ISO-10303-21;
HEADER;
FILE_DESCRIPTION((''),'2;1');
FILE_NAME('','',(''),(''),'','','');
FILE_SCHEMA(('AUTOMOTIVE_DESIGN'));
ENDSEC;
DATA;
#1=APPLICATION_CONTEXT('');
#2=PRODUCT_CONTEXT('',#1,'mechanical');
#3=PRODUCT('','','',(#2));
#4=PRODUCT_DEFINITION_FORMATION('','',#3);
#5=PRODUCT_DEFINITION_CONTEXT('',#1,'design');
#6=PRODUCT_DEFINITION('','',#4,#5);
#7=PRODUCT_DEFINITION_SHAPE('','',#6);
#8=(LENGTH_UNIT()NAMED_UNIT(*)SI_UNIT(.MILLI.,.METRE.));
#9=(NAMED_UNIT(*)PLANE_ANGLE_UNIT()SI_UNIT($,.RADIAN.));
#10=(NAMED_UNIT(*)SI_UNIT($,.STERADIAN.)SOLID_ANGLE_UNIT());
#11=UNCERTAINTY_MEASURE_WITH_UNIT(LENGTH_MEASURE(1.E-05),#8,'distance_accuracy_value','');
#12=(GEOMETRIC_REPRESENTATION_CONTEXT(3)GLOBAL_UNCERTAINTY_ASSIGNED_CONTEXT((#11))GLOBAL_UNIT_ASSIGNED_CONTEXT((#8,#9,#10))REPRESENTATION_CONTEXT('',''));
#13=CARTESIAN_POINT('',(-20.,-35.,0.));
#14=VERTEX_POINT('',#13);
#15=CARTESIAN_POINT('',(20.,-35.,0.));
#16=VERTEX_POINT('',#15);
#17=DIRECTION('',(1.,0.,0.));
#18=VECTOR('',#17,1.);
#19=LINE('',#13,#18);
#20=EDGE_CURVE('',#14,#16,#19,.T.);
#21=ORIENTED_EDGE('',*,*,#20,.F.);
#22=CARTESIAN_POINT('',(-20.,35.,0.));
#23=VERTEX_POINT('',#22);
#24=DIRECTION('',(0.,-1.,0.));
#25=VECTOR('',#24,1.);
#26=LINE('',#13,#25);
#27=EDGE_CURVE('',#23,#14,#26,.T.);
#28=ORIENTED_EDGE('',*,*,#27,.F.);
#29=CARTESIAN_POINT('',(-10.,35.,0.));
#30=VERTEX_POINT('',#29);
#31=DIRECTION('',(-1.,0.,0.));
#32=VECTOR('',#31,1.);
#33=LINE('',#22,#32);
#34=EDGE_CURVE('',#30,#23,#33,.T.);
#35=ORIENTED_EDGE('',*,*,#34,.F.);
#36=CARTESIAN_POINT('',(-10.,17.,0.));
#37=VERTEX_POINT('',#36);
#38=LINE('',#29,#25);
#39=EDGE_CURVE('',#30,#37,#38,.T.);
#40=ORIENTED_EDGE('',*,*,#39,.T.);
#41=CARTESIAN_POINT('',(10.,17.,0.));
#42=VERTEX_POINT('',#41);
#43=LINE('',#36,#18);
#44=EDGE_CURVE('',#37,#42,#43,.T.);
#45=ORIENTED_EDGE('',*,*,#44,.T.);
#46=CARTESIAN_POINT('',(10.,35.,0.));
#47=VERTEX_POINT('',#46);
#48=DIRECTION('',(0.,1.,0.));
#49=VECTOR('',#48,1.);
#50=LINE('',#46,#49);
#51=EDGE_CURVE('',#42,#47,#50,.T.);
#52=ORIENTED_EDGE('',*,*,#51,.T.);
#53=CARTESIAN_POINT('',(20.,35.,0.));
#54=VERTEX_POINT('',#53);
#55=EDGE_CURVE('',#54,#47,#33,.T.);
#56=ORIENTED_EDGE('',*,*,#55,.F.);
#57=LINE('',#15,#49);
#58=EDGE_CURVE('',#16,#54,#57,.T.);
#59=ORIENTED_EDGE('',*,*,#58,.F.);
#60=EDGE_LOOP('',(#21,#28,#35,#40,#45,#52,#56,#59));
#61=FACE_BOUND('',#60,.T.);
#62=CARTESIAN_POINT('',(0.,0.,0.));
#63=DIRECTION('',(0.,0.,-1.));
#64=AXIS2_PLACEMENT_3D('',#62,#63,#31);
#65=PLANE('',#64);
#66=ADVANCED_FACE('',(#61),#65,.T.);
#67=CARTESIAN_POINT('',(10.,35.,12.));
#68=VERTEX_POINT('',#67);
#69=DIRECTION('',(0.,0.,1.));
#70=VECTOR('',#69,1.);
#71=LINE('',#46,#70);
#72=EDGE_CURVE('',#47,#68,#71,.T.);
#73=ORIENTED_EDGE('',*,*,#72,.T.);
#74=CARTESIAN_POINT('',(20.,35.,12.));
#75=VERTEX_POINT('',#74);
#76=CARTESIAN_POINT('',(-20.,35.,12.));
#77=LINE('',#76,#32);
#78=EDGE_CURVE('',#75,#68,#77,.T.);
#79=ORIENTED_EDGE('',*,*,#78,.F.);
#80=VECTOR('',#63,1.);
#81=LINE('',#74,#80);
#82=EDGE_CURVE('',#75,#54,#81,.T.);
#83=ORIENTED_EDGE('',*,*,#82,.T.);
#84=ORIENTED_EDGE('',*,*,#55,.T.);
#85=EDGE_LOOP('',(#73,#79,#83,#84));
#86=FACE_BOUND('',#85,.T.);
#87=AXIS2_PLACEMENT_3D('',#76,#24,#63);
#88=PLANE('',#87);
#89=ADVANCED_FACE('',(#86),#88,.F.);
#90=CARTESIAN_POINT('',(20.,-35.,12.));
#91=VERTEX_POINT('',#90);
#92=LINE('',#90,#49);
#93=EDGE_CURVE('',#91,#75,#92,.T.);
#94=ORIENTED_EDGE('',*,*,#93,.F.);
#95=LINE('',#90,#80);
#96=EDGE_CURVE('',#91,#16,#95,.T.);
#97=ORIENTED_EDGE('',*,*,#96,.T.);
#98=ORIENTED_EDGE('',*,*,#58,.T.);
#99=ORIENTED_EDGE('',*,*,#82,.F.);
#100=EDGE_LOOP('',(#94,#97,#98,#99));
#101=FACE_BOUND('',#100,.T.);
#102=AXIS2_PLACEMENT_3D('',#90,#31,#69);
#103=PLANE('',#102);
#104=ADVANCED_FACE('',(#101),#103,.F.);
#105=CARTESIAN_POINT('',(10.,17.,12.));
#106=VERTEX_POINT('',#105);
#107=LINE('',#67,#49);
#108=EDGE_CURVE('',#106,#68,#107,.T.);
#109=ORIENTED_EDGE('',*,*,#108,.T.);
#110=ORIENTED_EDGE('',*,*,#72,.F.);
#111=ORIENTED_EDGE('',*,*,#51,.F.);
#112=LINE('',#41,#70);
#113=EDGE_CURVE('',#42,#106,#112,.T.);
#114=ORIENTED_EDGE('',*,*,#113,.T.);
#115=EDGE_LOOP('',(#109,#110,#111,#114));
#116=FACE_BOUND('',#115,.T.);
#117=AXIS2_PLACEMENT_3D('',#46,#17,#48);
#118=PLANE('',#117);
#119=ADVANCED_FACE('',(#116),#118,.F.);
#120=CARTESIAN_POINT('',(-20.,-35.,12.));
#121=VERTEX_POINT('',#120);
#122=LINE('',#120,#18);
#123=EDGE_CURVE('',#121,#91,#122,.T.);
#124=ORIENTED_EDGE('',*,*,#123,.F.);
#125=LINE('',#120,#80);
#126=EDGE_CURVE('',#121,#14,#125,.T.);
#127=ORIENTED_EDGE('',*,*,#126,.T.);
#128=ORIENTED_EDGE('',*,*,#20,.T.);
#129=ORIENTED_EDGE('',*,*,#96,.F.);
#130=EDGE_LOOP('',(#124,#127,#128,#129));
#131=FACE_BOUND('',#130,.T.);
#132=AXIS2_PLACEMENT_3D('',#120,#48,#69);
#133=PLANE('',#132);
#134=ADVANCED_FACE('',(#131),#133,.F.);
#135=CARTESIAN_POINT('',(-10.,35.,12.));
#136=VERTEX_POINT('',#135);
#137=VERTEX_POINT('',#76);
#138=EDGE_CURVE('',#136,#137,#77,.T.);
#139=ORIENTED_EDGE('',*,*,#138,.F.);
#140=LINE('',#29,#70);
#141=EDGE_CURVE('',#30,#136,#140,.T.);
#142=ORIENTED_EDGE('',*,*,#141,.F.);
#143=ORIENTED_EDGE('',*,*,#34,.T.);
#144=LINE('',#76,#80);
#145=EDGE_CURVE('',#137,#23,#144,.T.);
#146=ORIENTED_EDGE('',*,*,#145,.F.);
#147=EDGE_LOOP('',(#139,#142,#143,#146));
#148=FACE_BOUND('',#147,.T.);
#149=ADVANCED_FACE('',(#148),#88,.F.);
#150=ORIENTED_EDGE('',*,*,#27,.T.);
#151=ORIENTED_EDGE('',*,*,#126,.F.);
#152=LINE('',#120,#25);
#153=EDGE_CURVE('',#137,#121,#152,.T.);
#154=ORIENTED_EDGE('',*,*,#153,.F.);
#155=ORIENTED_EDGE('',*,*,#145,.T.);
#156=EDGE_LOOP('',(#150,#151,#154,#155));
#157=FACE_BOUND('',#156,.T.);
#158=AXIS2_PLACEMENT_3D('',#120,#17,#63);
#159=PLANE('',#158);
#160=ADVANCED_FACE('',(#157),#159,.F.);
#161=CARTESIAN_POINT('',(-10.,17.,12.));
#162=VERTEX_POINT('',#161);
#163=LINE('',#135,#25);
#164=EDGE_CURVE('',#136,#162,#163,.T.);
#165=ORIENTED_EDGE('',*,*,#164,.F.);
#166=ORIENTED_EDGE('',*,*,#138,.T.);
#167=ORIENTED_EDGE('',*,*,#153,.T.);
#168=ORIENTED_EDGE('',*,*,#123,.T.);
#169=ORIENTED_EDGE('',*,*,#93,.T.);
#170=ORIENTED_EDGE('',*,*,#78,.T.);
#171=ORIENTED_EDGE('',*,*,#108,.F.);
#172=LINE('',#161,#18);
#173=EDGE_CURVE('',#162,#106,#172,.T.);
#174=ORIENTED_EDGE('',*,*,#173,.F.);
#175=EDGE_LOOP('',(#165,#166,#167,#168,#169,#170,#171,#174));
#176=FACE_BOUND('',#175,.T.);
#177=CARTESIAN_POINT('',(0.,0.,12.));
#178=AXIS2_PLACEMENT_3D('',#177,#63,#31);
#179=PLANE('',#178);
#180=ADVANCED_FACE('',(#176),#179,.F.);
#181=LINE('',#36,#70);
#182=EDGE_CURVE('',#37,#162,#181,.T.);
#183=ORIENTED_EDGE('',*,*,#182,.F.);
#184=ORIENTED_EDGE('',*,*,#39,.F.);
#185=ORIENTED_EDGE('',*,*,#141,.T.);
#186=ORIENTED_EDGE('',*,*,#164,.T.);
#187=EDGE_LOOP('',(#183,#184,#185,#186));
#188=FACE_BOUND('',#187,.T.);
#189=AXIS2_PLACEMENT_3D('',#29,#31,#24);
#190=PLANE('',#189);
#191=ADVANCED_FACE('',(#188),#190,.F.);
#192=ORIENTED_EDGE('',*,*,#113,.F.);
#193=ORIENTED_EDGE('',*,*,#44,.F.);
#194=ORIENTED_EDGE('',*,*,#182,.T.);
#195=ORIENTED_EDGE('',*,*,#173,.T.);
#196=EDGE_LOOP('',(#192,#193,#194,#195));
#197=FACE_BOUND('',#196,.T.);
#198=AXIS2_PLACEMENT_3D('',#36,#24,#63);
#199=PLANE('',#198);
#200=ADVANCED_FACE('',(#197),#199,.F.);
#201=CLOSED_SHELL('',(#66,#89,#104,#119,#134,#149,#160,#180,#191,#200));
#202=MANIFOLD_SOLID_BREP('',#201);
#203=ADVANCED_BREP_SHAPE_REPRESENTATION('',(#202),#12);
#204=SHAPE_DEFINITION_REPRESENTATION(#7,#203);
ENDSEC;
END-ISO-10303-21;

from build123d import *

# Parameters (mm, degrees)
SZKIC1_W                    = 40
SZKIC1_H                    = 70
DODANIE_WYCI_GNI_CIE1_DEPTH = 12
SZKIC2_W                    = 20
SZKIC2_H                    = 18
WYTNIJ_WYCI_GNI_CIE1_DEPTH  = 43.05948169


with BuildPart() as part:
    # Szkic1 → Dodanie-wyciągnięcie1 (new body)
    with BuildSketch(Plane.XY):
        Rectangle(SZKIC1_W, SZKIC1_H)
    extrude(amount=DODANIE_WYCI_GNI_CIE1_DEPTH)

    # Szkic2 → Wytnij-wyciągnięcie1 (cut, through all)
    with BuildSketch(Plane.XY.offset(12)):
        with Locations((0, 26)):
            Rectangle(SZKIC2_W, SZKIC2_H)
    extrude(amount=-WYTNIJ_WYCI_GNI_CIE1_DEPTH, mode=Mode.SUBTRACT)


solid = part.part
